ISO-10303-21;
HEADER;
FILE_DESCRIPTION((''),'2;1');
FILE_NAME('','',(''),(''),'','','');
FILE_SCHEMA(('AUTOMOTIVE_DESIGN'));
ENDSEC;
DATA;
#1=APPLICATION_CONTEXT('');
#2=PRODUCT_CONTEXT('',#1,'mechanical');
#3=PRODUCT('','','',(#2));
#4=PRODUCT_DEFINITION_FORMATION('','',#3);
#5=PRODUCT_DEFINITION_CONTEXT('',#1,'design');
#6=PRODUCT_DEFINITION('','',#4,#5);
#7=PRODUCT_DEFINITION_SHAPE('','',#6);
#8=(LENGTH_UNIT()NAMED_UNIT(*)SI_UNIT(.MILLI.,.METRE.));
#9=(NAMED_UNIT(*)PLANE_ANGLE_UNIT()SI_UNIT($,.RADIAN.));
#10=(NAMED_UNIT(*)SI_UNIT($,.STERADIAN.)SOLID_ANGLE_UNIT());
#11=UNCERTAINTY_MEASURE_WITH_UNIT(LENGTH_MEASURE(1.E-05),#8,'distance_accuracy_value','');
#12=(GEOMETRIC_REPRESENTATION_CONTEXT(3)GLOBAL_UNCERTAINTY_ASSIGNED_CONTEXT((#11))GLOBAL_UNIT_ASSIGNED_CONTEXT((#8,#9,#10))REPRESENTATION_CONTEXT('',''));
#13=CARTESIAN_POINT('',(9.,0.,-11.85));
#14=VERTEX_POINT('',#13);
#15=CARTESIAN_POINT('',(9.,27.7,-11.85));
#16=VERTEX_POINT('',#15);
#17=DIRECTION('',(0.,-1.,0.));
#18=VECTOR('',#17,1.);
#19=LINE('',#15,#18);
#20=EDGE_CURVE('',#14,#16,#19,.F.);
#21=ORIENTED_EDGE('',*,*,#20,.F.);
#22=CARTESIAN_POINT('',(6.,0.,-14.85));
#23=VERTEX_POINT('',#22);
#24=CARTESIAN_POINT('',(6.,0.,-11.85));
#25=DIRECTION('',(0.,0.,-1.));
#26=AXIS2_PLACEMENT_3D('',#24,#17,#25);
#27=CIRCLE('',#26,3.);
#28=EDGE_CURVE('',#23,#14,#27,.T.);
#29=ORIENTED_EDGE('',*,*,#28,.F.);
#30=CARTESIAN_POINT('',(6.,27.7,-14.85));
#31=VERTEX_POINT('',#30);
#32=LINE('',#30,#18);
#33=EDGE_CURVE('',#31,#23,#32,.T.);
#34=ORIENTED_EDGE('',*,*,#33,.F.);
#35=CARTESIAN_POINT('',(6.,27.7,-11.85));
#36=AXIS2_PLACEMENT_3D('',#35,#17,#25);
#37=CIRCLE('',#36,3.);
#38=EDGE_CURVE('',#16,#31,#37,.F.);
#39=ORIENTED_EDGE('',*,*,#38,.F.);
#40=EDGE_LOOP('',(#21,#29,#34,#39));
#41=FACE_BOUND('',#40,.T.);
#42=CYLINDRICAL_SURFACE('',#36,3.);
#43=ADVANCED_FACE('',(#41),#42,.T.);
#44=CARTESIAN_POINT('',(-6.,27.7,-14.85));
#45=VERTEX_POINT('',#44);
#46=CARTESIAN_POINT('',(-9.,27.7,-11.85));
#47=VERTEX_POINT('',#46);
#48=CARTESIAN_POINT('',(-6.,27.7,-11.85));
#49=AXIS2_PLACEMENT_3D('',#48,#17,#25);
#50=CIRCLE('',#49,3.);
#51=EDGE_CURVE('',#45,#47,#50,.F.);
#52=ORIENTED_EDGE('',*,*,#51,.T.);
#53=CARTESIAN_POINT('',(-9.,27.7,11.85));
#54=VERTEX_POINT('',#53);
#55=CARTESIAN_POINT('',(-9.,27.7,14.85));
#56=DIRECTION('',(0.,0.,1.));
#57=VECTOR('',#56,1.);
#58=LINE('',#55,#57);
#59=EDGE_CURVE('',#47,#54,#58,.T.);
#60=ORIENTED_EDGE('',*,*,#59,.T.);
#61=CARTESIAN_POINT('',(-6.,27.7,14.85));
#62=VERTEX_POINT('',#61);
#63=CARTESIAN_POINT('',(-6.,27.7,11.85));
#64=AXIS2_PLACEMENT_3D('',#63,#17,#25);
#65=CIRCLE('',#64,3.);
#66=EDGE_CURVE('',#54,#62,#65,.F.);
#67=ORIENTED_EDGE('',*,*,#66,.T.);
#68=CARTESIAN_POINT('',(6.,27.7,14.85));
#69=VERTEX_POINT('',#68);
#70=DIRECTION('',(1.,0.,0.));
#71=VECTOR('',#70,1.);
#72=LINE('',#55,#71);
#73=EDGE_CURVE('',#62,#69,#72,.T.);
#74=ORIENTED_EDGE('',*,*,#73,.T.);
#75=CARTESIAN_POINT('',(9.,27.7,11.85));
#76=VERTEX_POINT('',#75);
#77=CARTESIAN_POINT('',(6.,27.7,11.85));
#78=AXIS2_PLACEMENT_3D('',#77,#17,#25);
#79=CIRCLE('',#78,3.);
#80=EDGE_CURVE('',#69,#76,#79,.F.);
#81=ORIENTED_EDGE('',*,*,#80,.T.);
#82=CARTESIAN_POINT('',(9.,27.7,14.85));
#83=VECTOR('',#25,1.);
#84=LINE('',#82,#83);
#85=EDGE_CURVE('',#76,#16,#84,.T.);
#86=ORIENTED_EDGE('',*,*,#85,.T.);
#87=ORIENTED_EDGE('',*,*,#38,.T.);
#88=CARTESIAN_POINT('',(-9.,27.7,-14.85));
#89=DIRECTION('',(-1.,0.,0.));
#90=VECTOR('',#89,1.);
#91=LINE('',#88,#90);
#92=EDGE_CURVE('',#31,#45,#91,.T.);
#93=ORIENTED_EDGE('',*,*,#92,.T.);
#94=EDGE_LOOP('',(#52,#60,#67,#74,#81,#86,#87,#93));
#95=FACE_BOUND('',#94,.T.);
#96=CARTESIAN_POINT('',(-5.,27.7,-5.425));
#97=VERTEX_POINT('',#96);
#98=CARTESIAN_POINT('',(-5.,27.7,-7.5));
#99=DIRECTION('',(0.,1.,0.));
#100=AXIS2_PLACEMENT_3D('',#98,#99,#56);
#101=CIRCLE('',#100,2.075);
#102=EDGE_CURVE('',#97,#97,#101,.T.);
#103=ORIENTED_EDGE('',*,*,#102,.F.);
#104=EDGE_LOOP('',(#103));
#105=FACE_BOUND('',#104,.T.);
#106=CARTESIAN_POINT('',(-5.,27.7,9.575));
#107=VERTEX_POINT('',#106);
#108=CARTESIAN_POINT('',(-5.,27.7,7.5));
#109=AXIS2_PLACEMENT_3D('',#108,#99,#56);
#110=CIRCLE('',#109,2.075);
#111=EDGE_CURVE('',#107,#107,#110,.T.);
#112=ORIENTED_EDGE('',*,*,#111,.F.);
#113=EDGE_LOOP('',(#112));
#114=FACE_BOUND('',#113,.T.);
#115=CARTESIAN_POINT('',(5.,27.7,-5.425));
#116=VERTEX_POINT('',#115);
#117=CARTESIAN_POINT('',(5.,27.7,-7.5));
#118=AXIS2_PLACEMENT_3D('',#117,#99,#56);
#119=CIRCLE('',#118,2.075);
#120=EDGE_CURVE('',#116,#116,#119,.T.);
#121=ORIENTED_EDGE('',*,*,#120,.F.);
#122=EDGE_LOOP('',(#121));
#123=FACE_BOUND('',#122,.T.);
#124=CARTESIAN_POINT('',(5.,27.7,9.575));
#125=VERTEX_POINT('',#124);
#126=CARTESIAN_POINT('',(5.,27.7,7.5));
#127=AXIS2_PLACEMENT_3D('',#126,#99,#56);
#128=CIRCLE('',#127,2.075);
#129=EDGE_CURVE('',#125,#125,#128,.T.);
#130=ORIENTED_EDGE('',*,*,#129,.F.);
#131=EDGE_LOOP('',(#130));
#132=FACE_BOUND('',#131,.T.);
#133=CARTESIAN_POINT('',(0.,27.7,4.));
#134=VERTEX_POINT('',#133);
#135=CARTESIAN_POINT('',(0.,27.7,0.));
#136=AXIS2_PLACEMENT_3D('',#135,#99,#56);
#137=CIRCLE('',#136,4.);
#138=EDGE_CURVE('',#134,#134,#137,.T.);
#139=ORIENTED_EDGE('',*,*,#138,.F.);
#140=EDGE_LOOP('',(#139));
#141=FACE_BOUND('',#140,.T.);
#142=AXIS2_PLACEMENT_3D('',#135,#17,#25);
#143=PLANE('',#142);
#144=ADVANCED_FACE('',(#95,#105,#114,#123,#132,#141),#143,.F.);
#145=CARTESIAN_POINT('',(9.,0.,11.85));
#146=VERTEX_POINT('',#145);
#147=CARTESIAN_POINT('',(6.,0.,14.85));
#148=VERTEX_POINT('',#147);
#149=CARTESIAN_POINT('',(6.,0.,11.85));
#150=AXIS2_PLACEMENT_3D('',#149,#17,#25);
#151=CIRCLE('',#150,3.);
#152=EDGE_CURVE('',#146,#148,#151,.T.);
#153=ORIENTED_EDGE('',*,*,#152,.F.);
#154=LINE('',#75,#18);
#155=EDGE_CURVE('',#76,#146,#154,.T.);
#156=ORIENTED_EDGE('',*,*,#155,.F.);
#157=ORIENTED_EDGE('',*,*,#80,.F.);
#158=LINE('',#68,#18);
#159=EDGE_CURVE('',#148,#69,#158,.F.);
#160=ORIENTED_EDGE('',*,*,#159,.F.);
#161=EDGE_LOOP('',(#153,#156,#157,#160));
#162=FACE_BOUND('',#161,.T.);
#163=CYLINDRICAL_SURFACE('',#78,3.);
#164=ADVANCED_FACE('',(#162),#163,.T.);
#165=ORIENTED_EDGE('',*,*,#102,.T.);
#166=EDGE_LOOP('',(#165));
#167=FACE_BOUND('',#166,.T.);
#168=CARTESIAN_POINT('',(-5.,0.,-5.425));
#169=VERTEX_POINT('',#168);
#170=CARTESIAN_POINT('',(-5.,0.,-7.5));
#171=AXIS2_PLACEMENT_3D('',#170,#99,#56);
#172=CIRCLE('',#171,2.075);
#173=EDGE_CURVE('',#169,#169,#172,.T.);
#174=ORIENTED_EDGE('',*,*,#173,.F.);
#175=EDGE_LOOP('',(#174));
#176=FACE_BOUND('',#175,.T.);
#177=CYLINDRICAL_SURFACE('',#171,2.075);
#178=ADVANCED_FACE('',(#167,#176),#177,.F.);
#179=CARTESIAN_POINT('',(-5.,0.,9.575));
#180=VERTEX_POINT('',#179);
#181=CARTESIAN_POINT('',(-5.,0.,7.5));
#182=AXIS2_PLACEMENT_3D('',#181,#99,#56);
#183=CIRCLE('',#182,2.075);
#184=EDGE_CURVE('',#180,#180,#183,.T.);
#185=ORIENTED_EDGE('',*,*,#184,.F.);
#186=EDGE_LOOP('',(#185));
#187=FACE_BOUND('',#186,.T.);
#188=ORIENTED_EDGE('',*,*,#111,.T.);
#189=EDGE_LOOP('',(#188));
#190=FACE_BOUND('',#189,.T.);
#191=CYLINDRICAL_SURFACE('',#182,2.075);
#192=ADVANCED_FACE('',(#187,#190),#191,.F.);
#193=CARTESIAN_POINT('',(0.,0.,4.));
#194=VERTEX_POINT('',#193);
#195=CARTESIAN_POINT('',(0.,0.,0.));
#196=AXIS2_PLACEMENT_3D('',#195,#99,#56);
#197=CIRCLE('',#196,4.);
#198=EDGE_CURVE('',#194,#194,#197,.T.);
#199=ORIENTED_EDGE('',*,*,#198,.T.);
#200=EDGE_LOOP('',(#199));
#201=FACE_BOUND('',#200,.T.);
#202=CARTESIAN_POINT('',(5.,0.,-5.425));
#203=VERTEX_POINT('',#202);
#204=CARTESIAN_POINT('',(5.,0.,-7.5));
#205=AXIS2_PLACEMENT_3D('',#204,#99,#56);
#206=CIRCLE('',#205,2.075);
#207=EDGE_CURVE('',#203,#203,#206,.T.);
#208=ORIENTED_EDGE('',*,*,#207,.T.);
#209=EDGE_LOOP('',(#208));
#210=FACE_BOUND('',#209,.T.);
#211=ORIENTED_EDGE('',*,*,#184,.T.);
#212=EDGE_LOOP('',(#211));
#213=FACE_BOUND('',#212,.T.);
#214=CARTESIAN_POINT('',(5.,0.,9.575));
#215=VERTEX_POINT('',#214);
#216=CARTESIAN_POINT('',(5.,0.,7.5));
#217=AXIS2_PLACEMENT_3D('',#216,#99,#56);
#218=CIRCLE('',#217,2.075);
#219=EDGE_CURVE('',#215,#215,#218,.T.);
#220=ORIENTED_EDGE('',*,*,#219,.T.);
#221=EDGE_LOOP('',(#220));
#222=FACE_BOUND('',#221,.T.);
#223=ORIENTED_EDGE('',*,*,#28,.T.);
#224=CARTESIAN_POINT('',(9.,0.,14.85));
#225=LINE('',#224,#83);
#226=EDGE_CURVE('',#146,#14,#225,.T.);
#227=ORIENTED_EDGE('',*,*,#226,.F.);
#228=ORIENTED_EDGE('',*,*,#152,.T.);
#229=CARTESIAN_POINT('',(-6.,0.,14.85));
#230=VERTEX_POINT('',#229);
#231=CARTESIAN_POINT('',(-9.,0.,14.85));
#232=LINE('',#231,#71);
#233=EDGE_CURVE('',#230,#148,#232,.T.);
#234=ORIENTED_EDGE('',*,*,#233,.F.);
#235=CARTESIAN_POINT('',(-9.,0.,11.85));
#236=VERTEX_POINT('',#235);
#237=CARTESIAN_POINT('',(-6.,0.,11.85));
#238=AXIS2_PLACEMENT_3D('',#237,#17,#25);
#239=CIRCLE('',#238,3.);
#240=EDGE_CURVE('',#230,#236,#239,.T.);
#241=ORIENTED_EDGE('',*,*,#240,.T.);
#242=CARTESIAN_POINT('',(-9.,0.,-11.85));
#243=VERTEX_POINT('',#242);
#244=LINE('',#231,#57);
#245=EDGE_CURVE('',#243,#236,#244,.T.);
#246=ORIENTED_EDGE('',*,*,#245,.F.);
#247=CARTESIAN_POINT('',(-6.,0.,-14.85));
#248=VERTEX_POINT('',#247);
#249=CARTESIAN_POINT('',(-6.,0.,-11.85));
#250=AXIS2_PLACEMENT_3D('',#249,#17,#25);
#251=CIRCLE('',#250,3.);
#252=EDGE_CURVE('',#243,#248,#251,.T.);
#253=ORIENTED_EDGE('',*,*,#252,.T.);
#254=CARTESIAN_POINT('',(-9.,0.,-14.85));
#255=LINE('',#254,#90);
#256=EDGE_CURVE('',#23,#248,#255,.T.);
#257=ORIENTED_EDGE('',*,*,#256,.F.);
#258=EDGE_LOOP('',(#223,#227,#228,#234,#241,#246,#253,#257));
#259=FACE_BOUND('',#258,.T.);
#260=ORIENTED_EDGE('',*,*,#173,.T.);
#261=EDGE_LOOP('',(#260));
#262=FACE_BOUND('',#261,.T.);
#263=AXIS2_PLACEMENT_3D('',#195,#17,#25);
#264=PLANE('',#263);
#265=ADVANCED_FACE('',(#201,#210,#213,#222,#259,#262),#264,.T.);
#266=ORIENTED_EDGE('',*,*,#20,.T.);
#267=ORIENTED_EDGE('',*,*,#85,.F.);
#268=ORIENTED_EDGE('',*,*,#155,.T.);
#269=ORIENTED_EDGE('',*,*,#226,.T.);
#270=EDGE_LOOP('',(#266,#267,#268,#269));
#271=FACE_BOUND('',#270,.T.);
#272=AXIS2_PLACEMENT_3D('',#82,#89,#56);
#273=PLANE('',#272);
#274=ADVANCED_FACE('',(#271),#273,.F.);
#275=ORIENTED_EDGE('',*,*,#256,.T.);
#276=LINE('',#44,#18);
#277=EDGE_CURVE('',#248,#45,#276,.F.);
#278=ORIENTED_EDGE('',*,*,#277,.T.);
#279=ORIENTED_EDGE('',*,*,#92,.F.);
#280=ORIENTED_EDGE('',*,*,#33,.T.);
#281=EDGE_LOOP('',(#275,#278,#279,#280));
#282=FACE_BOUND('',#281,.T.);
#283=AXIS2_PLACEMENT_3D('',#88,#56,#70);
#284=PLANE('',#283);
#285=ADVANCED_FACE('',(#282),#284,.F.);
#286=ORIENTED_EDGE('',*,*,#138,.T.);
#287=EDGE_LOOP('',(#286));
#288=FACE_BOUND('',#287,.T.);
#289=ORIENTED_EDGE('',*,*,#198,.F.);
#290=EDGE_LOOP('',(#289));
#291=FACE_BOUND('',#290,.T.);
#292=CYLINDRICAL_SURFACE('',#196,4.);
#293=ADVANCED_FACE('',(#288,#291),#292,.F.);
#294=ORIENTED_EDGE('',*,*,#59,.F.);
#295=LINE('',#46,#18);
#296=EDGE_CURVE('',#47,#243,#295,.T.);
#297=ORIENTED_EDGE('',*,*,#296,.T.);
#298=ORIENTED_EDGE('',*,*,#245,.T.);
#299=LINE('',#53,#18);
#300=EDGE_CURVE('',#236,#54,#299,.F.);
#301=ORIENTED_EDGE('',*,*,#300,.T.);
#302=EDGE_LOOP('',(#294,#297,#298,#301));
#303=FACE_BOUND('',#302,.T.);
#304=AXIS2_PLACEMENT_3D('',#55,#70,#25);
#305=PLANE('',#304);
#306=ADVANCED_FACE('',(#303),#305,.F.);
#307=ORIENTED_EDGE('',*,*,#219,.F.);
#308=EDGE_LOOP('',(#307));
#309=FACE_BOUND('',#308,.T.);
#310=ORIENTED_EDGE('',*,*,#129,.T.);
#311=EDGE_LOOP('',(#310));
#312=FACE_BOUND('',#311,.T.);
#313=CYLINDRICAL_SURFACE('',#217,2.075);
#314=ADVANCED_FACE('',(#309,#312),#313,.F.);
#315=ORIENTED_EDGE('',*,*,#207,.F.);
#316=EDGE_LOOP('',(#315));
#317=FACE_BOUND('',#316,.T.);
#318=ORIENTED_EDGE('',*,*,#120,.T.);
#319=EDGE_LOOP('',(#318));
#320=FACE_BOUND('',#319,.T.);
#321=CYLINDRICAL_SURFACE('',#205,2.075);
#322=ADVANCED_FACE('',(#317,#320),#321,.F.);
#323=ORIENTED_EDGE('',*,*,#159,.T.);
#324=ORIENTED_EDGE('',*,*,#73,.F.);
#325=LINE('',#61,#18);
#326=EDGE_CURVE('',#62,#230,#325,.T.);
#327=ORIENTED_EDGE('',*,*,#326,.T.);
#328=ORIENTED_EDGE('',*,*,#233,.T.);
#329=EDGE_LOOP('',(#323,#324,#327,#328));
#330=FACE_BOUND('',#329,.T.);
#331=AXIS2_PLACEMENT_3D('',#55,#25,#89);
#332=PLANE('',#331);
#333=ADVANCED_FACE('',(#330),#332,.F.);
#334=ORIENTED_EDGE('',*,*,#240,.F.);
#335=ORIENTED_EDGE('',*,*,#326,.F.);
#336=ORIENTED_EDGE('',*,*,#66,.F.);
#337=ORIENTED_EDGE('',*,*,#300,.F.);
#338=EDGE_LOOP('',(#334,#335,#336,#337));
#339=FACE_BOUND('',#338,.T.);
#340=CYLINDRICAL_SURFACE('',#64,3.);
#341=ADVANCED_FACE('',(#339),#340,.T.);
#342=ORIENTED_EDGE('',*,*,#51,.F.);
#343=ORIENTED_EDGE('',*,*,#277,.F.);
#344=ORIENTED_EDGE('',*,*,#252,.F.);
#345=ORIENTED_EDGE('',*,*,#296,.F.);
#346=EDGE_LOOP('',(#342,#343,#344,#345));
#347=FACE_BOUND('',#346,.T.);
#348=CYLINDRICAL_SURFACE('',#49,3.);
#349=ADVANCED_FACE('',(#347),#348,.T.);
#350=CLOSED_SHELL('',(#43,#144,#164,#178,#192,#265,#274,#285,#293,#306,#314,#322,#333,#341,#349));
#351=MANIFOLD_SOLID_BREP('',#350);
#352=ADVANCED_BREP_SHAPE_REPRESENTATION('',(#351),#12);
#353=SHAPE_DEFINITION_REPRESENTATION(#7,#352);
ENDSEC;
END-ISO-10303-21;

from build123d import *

# Parameters (mm, degrees)
SKETCH_1_W          = 18
SKETCH_1_H          = 29.7
EXTRUDE_1_DEPTH     = 27.7
SKETCH_2_R          = 2.075
CUT_EXTRUDE_1_DEPTH = 27.7
FILLET_1_R          = 3
SKETCH_3_R          = 4
CUT_EXTRUDE_2_DEPTH = 27.7


with BuildPart() as part:
    # 草图1 → 凸台-拉伸1 (new body)
    with BuildSketch(Plane(origin=(0, 0, 0), x_dir=(1, 0, 0), z_dir=(0, 1, 0))):
        Rectangle(SKETCH_1_W, SKETCH_1_H)
    extrude(amount=EXTRUDE_1_DEPTH)

    # 草图2 → 切除-拉伸1 (cut)
    with BuildSketch(Plane(origin=(0, 27.7, 0), x_dir=(1, 0, 0), z_dir=(0, 1, 0))):
        with Locations((5, 7.5)):
            Circle(SKETCH_2_R)
        with Locations((-5, 7.5)):
            Circle(SKETCH_2_R)
        with Locations((-5, -7.5)):
            Circle(SKETCH_2_R)
        with Locations((5, -7.5)):
            Circle(SKETCH_2_R)
    extrude(amount=-CUT_EXTRUDE_1_DEPTH, mode=Mode.SUBTRACT)

    # 圆角1
    fillet_1_edges = [part.edges().sort_by_distance(p)[0] for p in [
        (9, 13.85, 14.85),
        (-9, 13.85, 14.85),
        (-9, 13.85, -14.85),
        (9, 13.85, -14.85),
    ]]
    fillet(fillet_1_edges, radius=FILLET_1_R)

    # 草图3 → 切除-拉伸2 (cut)
    with BuildSketch(Plane(origin=(0, 27.7, 0), x_dir=(1, 0, 0), z_dir=(0, 1, 0))):
        Circle(SKETCH_3_R)
    extrude(amount=-CUT_EXTRUDE_2_DEPTH, mode=Mode.SUBTRACT)


solid = part.part
